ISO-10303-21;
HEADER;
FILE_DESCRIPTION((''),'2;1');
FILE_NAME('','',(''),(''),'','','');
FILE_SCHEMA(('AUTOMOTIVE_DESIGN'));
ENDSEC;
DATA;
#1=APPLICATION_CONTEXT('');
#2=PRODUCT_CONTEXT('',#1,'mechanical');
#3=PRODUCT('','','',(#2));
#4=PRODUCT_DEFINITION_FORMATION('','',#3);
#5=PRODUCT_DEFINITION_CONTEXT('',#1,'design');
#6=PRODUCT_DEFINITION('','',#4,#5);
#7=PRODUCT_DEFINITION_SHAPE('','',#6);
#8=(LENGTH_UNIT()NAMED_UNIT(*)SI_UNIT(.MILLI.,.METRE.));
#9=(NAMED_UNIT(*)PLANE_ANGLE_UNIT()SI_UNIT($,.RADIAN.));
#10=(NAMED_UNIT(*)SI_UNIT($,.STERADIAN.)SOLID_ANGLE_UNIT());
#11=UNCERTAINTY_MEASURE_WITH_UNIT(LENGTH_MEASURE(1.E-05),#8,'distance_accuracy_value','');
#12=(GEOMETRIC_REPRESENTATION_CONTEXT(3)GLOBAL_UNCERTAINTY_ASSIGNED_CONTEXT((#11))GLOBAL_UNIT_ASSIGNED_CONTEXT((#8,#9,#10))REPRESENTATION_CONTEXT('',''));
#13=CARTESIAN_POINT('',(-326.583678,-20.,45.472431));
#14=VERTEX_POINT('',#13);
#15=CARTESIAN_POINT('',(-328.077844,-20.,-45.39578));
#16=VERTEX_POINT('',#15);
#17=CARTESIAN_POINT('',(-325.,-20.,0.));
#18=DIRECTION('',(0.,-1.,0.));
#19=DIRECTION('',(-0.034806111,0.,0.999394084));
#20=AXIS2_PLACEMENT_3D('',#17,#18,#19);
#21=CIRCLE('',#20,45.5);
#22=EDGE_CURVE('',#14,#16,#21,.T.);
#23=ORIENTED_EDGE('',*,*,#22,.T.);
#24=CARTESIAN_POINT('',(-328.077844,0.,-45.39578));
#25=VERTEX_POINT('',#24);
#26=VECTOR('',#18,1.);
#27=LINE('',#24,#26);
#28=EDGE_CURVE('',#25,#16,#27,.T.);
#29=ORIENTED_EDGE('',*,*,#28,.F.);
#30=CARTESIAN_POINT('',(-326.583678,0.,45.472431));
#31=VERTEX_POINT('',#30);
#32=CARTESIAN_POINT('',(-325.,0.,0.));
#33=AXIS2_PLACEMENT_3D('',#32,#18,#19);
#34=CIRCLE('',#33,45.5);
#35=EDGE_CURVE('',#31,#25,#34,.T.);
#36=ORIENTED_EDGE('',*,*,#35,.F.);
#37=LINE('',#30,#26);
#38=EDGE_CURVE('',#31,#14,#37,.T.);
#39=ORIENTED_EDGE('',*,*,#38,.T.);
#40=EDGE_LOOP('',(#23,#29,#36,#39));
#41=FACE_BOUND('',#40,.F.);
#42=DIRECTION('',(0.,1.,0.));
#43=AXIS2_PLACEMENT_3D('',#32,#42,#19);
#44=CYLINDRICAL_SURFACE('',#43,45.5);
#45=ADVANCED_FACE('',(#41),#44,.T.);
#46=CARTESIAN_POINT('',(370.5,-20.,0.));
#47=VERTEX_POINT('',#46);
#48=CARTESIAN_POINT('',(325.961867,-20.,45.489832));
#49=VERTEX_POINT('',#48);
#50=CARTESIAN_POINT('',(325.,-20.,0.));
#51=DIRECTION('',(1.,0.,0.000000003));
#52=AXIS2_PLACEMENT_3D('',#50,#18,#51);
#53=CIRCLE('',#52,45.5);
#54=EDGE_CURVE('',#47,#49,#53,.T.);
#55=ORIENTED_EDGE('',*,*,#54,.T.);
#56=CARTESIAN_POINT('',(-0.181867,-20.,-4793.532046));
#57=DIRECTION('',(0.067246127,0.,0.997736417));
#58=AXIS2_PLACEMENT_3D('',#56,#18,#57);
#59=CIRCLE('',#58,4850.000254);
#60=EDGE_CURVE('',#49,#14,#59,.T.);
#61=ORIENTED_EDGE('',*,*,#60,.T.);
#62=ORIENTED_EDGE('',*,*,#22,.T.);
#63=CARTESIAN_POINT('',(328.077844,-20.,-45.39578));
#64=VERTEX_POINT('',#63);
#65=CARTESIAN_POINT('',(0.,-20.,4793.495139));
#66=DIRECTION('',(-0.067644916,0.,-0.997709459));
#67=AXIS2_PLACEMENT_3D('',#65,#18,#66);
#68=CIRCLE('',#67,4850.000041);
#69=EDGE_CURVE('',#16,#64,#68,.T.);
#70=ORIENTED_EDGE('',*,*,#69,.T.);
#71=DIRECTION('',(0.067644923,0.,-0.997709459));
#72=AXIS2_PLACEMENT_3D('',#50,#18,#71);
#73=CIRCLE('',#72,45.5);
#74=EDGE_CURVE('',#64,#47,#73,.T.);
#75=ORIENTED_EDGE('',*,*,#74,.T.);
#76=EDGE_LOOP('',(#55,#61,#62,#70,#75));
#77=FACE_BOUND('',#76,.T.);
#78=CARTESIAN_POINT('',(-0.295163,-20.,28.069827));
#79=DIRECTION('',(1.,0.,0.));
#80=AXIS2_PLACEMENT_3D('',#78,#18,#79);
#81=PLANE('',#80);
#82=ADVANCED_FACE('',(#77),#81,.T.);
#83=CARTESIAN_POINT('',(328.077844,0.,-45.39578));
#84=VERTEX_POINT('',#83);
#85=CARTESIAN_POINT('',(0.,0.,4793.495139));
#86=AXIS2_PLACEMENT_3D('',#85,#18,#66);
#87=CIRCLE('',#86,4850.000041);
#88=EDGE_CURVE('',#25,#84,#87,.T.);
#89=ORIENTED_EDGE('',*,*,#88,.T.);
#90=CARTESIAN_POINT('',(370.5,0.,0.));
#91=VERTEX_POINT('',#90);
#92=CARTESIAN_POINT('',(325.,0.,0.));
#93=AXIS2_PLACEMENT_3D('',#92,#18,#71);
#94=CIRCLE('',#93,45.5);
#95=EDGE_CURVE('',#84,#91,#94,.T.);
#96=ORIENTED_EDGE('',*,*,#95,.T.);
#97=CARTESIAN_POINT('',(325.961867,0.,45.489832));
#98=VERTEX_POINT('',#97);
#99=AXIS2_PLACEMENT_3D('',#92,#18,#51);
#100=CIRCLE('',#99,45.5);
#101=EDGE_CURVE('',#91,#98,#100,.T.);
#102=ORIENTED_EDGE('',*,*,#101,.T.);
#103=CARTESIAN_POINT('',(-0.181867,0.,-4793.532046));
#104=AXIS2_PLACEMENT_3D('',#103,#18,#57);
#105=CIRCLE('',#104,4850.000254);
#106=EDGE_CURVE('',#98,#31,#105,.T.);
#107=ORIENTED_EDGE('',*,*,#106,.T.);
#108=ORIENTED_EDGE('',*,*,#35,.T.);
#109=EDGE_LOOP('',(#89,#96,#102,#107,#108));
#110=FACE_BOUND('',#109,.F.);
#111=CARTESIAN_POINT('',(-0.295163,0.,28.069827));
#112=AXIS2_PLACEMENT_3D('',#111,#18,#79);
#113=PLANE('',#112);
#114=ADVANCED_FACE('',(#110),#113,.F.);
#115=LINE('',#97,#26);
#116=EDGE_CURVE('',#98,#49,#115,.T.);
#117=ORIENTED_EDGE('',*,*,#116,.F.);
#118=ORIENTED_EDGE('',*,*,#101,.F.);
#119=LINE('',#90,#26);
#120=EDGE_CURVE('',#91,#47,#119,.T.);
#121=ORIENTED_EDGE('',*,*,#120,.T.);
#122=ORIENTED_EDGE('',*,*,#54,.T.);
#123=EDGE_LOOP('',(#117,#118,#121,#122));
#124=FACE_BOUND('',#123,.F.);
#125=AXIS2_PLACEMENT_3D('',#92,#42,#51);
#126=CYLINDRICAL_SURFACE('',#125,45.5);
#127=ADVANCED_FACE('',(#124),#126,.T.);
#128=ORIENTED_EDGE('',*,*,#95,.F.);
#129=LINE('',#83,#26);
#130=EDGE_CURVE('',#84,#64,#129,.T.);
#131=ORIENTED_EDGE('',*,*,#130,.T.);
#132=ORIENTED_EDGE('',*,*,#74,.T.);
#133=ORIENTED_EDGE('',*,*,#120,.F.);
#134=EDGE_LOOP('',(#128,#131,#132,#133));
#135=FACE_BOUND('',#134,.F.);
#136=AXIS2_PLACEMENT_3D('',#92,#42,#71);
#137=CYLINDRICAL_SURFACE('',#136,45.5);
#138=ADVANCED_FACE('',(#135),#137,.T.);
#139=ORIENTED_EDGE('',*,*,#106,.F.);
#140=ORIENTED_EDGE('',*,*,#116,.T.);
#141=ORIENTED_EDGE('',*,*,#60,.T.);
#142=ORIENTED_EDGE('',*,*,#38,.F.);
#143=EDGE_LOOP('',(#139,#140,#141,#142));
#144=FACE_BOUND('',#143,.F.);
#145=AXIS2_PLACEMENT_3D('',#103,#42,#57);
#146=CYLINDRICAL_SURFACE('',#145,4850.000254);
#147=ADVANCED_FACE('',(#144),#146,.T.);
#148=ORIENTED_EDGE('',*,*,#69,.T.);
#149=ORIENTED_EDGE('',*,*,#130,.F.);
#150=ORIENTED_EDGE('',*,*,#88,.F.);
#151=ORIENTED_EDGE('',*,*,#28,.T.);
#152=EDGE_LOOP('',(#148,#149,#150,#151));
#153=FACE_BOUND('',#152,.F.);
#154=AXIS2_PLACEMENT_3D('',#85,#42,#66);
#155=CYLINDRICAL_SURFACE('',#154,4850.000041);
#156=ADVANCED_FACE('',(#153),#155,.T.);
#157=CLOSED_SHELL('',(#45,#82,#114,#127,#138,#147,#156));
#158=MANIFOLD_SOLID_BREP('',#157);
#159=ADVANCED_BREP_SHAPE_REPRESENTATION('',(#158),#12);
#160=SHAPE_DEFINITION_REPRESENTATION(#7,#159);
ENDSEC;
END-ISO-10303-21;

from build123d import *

# Parameters (mm, degrees)
F1_DEPTH = 20


with BuildPart() as f1:
    # F0 (on Front) → F1 (new body)
    with BuildSketch(Plane.XZ):
        with BuildLine():
            ThreePointArc((-326.583678, 45.472431), (-293.391515, 32.728484), (-279.5, 0))
            Line((-279.5, 0), (279.5, 0))
            ThreePointArc((279.5, 0), (293.168529, 32.511651), (325.961867, 45.489832))
            ThreePointArc((325.961867, 45.489832), (-0.311198, 56.468207), (-326.583678, 45.472431))
        make_face()
        with BuildLine():
            Line((279.5, 0), (-279.5, 0))
            ThreePointArc((-279.5, 0), (-293.933876, -33.243735), (-328.077844, -45.39578))
            ThreePointArc((-328.077844, -45.39578), (0, -56.504902), (328.077844, -45.39578))
            ThreePointArc((328.077844, -45.39578), (293.933876, -33.243735), (279.5, 0))
        make_face()
        with BuildLine():
            ThreePointArc((-328.077844, -45.39578), (-293.933876, -33.243735), (-279.5, 0))
            ThreePointArc((-279.5, 0), (-293.391515, 32.728484), (-326.583678, 45.472431))
            ThreePointArc((-326.583678, 45.472431), (-370.49385, 0.748065), (-328.077844, -45.39578))
        make_face()
        with BuildLine():
            ThreePointArc((325.961867, 45.489832), (293.168529, 32.511651), (279.5, 0))
            ThreePointArc((279.5, 0), (293.933876, -33.243735), (328.077844, -45.39578))
            ThreePointArc((328.077844, -45.39578), (358.243735, -31.066124), (370.5, 0))
            ThreePointArc((370.5, 0), (357.511651, 31.831471), (325.961867, 45.489832))
        make_face()
    extrude(amount=F1_DEPTH)


solid = f1.part
